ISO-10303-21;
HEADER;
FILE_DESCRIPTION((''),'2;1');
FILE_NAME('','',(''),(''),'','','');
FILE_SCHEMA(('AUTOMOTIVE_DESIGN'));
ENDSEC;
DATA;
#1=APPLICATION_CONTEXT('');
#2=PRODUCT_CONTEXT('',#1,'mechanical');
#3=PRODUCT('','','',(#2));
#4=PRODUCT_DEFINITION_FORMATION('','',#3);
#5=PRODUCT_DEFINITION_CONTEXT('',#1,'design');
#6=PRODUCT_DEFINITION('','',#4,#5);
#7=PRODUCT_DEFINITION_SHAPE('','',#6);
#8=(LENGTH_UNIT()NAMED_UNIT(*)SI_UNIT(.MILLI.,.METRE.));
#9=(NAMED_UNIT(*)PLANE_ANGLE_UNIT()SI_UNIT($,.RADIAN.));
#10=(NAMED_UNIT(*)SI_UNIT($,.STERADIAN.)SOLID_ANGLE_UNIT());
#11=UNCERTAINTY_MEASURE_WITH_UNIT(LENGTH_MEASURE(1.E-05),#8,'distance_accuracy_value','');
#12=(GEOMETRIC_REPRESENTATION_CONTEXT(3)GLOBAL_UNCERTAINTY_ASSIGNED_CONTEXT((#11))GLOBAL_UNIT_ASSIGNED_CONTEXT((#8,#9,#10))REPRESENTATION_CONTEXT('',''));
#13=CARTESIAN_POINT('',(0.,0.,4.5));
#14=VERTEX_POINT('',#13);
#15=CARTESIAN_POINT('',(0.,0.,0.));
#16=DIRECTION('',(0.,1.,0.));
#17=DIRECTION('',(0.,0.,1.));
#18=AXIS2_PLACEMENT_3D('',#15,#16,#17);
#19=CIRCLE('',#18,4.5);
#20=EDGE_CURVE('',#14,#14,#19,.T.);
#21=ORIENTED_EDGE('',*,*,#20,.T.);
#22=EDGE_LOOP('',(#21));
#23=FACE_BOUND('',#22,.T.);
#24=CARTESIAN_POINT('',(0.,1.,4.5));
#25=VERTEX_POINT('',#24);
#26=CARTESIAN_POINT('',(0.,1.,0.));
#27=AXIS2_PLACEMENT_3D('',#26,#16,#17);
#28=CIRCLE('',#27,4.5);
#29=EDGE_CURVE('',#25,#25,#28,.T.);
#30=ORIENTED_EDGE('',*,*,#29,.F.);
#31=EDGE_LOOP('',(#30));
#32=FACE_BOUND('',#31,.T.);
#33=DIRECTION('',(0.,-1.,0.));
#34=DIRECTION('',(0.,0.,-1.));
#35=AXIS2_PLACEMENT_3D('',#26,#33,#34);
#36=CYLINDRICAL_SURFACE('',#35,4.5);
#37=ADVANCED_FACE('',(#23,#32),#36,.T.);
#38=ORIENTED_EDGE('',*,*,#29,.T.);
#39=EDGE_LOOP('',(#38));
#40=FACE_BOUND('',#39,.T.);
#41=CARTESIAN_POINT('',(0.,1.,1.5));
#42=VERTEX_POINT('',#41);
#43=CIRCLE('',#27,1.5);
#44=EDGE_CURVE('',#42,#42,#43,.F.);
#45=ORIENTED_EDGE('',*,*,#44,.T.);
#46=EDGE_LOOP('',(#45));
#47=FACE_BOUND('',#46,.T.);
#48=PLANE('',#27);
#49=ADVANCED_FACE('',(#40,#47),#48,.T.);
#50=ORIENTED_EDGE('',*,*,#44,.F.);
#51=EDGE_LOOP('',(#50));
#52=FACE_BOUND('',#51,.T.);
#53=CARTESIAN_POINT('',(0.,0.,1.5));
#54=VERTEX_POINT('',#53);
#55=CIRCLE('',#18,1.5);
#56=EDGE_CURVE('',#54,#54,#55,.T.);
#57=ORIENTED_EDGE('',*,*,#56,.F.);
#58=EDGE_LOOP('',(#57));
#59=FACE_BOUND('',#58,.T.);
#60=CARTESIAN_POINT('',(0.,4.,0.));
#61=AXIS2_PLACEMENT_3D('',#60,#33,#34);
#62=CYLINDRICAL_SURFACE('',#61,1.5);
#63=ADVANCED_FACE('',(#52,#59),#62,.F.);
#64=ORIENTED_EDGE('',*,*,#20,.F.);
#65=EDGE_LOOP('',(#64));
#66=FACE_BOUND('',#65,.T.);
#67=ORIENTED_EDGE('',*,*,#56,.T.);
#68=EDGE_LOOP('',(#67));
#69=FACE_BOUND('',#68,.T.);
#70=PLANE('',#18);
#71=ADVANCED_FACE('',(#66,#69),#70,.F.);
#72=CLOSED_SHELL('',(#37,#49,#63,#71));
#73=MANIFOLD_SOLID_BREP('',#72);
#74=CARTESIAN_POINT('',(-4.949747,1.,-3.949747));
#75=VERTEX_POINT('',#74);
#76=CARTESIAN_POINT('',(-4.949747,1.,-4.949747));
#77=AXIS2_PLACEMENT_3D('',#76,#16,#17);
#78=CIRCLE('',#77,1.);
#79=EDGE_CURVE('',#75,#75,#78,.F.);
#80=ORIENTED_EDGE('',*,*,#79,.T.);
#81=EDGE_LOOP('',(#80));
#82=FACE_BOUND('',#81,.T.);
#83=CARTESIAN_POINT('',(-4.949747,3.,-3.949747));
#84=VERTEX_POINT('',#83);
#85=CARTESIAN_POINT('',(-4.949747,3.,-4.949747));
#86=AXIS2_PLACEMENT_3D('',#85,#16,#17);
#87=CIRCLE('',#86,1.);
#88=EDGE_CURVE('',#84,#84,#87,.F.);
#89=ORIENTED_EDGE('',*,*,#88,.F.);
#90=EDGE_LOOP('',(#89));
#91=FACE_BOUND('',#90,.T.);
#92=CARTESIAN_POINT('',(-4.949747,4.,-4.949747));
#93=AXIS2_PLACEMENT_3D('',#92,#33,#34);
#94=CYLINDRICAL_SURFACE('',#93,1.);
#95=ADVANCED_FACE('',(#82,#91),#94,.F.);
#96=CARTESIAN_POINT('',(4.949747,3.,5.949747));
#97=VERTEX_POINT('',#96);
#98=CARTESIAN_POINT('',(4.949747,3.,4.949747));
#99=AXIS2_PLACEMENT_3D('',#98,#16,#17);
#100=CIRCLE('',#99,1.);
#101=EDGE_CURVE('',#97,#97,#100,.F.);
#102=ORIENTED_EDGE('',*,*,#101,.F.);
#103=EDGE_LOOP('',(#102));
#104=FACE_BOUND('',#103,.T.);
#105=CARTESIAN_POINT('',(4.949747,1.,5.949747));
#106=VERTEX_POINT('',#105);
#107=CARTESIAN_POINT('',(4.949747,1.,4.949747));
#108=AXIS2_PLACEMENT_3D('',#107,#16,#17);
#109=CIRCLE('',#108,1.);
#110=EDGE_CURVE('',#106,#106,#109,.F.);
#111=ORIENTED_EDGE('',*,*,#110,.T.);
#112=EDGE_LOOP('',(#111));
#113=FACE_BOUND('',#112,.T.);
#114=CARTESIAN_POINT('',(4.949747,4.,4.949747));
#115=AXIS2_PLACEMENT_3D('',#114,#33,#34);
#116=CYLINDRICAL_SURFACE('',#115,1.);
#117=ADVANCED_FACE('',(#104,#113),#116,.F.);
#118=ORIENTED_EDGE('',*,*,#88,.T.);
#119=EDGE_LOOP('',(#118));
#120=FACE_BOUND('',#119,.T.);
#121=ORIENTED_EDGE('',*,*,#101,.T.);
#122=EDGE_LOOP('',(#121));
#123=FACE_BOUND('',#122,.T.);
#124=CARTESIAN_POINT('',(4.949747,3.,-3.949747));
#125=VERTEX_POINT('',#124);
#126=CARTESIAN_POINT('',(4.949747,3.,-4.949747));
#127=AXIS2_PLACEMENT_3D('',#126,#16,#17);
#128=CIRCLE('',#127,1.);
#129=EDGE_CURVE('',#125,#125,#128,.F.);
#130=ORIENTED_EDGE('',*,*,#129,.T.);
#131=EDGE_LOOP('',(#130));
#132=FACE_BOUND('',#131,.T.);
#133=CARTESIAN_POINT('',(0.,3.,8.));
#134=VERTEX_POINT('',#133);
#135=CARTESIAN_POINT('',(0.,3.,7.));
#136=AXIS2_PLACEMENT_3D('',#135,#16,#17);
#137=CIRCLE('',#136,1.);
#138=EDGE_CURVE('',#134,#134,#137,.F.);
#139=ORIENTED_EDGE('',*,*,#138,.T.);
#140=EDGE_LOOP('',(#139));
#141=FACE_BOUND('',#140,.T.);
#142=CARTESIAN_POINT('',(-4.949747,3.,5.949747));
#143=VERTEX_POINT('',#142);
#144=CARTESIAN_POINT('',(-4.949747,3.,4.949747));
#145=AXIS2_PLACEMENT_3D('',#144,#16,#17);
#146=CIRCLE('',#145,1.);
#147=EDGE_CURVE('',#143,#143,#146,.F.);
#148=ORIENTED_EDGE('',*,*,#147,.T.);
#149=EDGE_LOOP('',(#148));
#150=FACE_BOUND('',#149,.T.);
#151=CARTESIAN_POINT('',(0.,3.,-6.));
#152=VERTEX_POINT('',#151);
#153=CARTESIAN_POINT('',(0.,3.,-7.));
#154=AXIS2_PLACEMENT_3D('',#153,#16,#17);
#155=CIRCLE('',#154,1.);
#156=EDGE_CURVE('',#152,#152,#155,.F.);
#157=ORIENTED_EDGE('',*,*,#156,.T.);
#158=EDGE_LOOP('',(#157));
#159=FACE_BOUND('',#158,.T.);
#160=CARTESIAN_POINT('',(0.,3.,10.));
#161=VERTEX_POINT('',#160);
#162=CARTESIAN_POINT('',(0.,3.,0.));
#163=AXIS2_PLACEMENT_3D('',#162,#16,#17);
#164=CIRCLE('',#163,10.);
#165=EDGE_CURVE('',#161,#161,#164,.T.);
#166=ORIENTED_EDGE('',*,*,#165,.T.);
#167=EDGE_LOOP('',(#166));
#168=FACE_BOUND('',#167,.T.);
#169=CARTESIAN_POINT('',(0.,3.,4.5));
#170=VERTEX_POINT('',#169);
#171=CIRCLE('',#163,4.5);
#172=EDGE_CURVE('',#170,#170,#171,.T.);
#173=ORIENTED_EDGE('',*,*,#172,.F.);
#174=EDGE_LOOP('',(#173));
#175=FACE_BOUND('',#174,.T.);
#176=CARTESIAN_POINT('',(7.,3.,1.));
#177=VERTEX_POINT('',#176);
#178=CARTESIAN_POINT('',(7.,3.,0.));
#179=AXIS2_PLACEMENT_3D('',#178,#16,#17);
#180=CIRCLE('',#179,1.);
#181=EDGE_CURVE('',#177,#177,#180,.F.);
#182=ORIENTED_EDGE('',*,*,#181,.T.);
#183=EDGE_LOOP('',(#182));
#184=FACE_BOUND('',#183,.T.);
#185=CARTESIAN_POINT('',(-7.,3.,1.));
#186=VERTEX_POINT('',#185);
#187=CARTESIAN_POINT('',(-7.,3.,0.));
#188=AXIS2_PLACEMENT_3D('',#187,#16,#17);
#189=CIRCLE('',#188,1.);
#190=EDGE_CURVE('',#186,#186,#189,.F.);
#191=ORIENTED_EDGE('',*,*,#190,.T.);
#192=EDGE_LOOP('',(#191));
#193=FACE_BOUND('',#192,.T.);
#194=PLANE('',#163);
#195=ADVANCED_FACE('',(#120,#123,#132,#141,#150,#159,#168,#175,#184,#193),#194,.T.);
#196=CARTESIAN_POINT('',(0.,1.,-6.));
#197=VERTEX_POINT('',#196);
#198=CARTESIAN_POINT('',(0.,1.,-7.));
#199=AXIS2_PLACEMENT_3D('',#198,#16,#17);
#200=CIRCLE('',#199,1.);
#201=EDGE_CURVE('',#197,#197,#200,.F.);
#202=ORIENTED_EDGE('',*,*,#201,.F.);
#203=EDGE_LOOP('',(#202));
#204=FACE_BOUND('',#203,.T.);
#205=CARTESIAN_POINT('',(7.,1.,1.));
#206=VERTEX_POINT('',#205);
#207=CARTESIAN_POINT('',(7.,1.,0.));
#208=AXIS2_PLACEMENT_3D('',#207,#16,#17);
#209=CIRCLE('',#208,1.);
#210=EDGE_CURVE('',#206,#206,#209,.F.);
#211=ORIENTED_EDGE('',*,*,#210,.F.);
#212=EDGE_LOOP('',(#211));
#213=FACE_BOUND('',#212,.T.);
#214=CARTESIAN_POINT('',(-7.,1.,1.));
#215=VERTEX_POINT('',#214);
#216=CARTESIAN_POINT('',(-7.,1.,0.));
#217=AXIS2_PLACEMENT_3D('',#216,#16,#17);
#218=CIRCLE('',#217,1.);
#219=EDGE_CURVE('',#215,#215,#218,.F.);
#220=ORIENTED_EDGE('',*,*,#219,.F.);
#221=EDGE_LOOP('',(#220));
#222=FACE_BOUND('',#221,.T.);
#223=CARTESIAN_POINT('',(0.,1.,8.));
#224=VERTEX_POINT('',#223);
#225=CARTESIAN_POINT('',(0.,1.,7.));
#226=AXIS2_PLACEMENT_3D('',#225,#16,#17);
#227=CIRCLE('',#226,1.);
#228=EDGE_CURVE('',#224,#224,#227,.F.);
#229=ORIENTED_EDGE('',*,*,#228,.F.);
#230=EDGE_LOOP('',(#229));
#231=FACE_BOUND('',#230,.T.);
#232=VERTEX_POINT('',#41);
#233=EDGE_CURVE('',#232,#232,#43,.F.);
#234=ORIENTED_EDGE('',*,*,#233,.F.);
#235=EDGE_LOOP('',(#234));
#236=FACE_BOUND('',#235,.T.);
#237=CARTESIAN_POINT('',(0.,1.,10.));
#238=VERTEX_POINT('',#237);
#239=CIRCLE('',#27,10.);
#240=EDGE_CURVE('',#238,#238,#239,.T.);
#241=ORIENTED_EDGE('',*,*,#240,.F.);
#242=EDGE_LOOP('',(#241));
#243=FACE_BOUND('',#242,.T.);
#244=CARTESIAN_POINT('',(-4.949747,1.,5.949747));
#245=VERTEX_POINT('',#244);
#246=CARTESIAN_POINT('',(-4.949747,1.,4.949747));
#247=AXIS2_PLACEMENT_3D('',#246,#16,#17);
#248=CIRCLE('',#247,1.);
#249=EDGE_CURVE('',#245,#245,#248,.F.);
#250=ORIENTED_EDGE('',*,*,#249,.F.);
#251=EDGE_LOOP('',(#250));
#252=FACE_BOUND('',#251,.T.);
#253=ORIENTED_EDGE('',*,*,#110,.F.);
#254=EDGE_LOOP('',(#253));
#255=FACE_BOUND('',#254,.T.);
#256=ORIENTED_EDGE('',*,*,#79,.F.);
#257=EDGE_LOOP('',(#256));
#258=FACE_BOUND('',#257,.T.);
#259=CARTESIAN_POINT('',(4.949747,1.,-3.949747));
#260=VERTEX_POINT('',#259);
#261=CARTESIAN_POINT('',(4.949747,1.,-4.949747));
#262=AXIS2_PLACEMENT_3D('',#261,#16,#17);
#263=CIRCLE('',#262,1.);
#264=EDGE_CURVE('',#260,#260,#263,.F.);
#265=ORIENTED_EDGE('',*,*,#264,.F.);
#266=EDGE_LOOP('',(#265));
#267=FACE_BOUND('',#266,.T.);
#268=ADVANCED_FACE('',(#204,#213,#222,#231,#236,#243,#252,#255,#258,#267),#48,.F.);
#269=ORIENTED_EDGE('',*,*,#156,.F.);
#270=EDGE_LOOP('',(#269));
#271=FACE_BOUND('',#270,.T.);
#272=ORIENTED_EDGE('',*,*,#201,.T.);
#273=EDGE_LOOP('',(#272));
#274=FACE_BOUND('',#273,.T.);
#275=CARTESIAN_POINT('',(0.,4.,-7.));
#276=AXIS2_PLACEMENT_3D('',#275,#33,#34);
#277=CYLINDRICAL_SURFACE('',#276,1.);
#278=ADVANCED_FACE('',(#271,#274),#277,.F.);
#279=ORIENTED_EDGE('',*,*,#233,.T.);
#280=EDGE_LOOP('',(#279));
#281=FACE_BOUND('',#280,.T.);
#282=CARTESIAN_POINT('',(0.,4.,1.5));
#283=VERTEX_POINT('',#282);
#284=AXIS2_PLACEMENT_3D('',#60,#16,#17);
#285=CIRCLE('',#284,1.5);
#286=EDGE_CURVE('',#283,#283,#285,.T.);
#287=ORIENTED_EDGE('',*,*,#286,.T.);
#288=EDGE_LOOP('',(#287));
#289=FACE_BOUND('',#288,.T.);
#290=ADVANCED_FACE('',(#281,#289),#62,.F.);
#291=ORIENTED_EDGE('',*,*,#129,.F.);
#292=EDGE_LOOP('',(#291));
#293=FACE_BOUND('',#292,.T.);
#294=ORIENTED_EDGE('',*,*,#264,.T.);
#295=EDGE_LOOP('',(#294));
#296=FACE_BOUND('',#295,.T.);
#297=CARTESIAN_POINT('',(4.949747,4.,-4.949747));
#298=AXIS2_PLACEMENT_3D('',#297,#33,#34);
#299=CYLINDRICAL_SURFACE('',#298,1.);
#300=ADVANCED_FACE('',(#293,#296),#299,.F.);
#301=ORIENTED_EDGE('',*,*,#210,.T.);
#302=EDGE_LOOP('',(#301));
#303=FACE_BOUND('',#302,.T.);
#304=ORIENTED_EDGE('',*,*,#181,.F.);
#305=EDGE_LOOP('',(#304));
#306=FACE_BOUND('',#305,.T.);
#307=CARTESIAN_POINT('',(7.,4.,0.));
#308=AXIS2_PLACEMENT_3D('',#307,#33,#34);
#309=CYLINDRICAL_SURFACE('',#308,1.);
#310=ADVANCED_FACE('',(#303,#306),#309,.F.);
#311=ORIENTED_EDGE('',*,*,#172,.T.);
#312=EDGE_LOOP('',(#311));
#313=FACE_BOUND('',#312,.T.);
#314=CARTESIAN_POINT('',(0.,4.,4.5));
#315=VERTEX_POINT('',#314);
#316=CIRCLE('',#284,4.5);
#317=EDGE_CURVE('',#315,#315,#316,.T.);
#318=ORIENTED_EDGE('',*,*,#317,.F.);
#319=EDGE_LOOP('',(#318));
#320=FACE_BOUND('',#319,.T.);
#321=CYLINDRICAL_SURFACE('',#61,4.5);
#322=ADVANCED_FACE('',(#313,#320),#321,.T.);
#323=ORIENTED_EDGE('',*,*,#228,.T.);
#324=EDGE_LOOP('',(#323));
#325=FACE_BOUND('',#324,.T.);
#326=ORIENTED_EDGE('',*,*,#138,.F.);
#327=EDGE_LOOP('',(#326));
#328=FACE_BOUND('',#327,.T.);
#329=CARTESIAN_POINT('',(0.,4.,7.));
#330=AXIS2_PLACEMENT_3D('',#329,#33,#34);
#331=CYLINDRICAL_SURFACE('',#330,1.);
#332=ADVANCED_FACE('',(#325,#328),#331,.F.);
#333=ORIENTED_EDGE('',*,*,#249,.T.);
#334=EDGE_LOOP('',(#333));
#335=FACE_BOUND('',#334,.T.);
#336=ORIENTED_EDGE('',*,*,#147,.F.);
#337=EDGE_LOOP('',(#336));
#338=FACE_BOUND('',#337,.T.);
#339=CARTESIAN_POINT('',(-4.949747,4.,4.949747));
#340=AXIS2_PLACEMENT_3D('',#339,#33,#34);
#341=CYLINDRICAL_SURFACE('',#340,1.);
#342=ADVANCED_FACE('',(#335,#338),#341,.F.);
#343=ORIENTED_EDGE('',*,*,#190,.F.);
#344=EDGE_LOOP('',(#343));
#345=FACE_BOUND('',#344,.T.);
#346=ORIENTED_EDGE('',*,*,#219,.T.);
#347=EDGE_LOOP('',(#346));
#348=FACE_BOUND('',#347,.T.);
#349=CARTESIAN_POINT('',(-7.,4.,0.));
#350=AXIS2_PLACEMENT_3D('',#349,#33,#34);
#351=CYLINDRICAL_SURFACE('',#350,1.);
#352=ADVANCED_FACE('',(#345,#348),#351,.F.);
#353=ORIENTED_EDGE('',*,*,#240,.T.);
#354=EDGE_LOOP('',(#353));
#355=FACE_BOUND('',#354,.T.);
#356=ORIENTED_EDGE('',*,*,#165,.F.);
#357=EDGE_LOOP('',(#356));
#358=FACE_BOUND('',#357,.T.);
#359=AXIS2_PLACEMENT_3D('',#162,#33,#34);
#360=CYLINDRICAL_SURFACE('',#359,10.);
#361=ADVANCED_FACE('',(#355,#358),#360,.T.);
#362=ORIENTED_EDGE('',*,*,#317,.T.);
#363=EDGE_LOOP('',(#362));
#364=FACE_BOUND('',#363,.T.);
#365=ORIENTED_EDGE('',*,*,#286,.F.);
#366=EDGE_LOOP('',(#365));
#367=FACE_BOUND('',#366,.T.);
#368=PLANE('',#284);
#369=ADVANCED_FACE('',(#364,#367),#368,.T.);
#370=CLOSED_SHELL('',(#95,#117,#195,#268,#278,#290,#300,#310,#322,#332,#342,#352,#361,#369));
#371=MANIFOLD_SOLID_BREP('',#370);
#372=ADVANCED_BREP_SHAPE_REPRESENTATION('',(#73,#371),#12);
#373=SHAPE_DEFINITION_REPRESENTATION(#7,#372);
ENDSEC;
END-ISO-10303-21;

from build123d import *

# Parameters (mm, degrees)
SKETCH_1_R          = 4.5
EXTRUDE_1_DEPTH     = 1
EXTRUDE_START       = 1
SKETCH_1_3_R        = 10
EXTRUDE_2_DEPTH     = 2
EXTRUDE_START_2     = 3
SKETCH_1_4_R        = 4.5
EXTRUDE_3_DEPTH     = 1
SKETCH_2_R          = 1.5
SKETCH_2_R_2        = 1
CUT_EXTRUDE_1_DEPTH = 15.696938457


with BuildPart() as part:
    # Эскиз1 → Бобышка-Вытянуть1 (new body)
    with BuildSketch(Plane(origin=(0, 0, 0), x_dir=(1, 0, 0), z_dir=(0, 1, 0))):
        Circle(SKETCH_1_R)
    extrude(amount=EXTRUDE_1_DEPTH)


with BuildPart() as body_2:
    # Эскиз1<3> → Бобышка-Вытянуть2 (new body)
    with BuildSketch(Plane(origin=(0, 0, 0), x_dir=(1, 0, 0), z_dir=(0, 1, 0)).offset(EXTRUDE_START)):
        Circle(SKETCH_1_3_R)
    extrude(amount=EXTRUDE_2_DEPTH)

    # Эскиз1<4> → Бобышка-Вытянуть3 (add)
    with BuildSketch(Plane(origin=(0, 0, 0), x_dir=(1, 0, 0), z_dir=(0, 1, 0)).offset(EXTRUDE_START_2)):
        Circle(SKETCH_1_4_R)
    extrude(amount=EXTRUDE_3_DEPTH)


with BuildPart() as cut_extrude_1_tool:
    # Эскиз2 → Вырез-Вытянуть1 (new, through all)
    with BuildSketch(Plane(origin=(0, 0, 0), x_dir=(1, 0, 0), z_dir=(0, 1, 0))):
        Circle(SKETCH_2_R)
        with Locations((-7, 0)):
            Circle(SKETCH_2_R_2)
        with Locations((-4.949747468, 4.949747468)):
            Circle(SKETCH_2_R_2)
        with Locations((0, 7)):
            Circle(SKETCH_2_R_2)
        with Locations((4.949747468, 4.949747468)):
            Circle(SKETCH_2_R_2)
        with Locations((7, 0)):
            Circle(SKETCH_2_R_2)
        with Locations((4.949747468, -4.949747468)):
            Circle(SKETCH_2_R_2)
        with Locations((0, -7)):
            Circle(SKETCH_2_R_2)
        with Locations((-4.949747468, -4.949747468)):
            Circle(SKETCH_2_R_2)
    extrude(amount=CUT_EXTRUDE_1_DEPTH)


with BuildPart() as part_1:
    add(part.part)

    # Вырез-Вытянуть1: cut by cut_extrude_1_tool
    add(cut_extrude_1_tool.part, mode=Mode.SUBTRACT)


with BuildPart() as body_2_1:
    add(body_2.part)

    # Вырез-Вытянуть1: cut by cut_extrude_1_tool
    add(cut_extrude_1_tool.part, mode=Mode.SUBTRACT)


solid = Compound([part_1.part, body_2_1.part])
